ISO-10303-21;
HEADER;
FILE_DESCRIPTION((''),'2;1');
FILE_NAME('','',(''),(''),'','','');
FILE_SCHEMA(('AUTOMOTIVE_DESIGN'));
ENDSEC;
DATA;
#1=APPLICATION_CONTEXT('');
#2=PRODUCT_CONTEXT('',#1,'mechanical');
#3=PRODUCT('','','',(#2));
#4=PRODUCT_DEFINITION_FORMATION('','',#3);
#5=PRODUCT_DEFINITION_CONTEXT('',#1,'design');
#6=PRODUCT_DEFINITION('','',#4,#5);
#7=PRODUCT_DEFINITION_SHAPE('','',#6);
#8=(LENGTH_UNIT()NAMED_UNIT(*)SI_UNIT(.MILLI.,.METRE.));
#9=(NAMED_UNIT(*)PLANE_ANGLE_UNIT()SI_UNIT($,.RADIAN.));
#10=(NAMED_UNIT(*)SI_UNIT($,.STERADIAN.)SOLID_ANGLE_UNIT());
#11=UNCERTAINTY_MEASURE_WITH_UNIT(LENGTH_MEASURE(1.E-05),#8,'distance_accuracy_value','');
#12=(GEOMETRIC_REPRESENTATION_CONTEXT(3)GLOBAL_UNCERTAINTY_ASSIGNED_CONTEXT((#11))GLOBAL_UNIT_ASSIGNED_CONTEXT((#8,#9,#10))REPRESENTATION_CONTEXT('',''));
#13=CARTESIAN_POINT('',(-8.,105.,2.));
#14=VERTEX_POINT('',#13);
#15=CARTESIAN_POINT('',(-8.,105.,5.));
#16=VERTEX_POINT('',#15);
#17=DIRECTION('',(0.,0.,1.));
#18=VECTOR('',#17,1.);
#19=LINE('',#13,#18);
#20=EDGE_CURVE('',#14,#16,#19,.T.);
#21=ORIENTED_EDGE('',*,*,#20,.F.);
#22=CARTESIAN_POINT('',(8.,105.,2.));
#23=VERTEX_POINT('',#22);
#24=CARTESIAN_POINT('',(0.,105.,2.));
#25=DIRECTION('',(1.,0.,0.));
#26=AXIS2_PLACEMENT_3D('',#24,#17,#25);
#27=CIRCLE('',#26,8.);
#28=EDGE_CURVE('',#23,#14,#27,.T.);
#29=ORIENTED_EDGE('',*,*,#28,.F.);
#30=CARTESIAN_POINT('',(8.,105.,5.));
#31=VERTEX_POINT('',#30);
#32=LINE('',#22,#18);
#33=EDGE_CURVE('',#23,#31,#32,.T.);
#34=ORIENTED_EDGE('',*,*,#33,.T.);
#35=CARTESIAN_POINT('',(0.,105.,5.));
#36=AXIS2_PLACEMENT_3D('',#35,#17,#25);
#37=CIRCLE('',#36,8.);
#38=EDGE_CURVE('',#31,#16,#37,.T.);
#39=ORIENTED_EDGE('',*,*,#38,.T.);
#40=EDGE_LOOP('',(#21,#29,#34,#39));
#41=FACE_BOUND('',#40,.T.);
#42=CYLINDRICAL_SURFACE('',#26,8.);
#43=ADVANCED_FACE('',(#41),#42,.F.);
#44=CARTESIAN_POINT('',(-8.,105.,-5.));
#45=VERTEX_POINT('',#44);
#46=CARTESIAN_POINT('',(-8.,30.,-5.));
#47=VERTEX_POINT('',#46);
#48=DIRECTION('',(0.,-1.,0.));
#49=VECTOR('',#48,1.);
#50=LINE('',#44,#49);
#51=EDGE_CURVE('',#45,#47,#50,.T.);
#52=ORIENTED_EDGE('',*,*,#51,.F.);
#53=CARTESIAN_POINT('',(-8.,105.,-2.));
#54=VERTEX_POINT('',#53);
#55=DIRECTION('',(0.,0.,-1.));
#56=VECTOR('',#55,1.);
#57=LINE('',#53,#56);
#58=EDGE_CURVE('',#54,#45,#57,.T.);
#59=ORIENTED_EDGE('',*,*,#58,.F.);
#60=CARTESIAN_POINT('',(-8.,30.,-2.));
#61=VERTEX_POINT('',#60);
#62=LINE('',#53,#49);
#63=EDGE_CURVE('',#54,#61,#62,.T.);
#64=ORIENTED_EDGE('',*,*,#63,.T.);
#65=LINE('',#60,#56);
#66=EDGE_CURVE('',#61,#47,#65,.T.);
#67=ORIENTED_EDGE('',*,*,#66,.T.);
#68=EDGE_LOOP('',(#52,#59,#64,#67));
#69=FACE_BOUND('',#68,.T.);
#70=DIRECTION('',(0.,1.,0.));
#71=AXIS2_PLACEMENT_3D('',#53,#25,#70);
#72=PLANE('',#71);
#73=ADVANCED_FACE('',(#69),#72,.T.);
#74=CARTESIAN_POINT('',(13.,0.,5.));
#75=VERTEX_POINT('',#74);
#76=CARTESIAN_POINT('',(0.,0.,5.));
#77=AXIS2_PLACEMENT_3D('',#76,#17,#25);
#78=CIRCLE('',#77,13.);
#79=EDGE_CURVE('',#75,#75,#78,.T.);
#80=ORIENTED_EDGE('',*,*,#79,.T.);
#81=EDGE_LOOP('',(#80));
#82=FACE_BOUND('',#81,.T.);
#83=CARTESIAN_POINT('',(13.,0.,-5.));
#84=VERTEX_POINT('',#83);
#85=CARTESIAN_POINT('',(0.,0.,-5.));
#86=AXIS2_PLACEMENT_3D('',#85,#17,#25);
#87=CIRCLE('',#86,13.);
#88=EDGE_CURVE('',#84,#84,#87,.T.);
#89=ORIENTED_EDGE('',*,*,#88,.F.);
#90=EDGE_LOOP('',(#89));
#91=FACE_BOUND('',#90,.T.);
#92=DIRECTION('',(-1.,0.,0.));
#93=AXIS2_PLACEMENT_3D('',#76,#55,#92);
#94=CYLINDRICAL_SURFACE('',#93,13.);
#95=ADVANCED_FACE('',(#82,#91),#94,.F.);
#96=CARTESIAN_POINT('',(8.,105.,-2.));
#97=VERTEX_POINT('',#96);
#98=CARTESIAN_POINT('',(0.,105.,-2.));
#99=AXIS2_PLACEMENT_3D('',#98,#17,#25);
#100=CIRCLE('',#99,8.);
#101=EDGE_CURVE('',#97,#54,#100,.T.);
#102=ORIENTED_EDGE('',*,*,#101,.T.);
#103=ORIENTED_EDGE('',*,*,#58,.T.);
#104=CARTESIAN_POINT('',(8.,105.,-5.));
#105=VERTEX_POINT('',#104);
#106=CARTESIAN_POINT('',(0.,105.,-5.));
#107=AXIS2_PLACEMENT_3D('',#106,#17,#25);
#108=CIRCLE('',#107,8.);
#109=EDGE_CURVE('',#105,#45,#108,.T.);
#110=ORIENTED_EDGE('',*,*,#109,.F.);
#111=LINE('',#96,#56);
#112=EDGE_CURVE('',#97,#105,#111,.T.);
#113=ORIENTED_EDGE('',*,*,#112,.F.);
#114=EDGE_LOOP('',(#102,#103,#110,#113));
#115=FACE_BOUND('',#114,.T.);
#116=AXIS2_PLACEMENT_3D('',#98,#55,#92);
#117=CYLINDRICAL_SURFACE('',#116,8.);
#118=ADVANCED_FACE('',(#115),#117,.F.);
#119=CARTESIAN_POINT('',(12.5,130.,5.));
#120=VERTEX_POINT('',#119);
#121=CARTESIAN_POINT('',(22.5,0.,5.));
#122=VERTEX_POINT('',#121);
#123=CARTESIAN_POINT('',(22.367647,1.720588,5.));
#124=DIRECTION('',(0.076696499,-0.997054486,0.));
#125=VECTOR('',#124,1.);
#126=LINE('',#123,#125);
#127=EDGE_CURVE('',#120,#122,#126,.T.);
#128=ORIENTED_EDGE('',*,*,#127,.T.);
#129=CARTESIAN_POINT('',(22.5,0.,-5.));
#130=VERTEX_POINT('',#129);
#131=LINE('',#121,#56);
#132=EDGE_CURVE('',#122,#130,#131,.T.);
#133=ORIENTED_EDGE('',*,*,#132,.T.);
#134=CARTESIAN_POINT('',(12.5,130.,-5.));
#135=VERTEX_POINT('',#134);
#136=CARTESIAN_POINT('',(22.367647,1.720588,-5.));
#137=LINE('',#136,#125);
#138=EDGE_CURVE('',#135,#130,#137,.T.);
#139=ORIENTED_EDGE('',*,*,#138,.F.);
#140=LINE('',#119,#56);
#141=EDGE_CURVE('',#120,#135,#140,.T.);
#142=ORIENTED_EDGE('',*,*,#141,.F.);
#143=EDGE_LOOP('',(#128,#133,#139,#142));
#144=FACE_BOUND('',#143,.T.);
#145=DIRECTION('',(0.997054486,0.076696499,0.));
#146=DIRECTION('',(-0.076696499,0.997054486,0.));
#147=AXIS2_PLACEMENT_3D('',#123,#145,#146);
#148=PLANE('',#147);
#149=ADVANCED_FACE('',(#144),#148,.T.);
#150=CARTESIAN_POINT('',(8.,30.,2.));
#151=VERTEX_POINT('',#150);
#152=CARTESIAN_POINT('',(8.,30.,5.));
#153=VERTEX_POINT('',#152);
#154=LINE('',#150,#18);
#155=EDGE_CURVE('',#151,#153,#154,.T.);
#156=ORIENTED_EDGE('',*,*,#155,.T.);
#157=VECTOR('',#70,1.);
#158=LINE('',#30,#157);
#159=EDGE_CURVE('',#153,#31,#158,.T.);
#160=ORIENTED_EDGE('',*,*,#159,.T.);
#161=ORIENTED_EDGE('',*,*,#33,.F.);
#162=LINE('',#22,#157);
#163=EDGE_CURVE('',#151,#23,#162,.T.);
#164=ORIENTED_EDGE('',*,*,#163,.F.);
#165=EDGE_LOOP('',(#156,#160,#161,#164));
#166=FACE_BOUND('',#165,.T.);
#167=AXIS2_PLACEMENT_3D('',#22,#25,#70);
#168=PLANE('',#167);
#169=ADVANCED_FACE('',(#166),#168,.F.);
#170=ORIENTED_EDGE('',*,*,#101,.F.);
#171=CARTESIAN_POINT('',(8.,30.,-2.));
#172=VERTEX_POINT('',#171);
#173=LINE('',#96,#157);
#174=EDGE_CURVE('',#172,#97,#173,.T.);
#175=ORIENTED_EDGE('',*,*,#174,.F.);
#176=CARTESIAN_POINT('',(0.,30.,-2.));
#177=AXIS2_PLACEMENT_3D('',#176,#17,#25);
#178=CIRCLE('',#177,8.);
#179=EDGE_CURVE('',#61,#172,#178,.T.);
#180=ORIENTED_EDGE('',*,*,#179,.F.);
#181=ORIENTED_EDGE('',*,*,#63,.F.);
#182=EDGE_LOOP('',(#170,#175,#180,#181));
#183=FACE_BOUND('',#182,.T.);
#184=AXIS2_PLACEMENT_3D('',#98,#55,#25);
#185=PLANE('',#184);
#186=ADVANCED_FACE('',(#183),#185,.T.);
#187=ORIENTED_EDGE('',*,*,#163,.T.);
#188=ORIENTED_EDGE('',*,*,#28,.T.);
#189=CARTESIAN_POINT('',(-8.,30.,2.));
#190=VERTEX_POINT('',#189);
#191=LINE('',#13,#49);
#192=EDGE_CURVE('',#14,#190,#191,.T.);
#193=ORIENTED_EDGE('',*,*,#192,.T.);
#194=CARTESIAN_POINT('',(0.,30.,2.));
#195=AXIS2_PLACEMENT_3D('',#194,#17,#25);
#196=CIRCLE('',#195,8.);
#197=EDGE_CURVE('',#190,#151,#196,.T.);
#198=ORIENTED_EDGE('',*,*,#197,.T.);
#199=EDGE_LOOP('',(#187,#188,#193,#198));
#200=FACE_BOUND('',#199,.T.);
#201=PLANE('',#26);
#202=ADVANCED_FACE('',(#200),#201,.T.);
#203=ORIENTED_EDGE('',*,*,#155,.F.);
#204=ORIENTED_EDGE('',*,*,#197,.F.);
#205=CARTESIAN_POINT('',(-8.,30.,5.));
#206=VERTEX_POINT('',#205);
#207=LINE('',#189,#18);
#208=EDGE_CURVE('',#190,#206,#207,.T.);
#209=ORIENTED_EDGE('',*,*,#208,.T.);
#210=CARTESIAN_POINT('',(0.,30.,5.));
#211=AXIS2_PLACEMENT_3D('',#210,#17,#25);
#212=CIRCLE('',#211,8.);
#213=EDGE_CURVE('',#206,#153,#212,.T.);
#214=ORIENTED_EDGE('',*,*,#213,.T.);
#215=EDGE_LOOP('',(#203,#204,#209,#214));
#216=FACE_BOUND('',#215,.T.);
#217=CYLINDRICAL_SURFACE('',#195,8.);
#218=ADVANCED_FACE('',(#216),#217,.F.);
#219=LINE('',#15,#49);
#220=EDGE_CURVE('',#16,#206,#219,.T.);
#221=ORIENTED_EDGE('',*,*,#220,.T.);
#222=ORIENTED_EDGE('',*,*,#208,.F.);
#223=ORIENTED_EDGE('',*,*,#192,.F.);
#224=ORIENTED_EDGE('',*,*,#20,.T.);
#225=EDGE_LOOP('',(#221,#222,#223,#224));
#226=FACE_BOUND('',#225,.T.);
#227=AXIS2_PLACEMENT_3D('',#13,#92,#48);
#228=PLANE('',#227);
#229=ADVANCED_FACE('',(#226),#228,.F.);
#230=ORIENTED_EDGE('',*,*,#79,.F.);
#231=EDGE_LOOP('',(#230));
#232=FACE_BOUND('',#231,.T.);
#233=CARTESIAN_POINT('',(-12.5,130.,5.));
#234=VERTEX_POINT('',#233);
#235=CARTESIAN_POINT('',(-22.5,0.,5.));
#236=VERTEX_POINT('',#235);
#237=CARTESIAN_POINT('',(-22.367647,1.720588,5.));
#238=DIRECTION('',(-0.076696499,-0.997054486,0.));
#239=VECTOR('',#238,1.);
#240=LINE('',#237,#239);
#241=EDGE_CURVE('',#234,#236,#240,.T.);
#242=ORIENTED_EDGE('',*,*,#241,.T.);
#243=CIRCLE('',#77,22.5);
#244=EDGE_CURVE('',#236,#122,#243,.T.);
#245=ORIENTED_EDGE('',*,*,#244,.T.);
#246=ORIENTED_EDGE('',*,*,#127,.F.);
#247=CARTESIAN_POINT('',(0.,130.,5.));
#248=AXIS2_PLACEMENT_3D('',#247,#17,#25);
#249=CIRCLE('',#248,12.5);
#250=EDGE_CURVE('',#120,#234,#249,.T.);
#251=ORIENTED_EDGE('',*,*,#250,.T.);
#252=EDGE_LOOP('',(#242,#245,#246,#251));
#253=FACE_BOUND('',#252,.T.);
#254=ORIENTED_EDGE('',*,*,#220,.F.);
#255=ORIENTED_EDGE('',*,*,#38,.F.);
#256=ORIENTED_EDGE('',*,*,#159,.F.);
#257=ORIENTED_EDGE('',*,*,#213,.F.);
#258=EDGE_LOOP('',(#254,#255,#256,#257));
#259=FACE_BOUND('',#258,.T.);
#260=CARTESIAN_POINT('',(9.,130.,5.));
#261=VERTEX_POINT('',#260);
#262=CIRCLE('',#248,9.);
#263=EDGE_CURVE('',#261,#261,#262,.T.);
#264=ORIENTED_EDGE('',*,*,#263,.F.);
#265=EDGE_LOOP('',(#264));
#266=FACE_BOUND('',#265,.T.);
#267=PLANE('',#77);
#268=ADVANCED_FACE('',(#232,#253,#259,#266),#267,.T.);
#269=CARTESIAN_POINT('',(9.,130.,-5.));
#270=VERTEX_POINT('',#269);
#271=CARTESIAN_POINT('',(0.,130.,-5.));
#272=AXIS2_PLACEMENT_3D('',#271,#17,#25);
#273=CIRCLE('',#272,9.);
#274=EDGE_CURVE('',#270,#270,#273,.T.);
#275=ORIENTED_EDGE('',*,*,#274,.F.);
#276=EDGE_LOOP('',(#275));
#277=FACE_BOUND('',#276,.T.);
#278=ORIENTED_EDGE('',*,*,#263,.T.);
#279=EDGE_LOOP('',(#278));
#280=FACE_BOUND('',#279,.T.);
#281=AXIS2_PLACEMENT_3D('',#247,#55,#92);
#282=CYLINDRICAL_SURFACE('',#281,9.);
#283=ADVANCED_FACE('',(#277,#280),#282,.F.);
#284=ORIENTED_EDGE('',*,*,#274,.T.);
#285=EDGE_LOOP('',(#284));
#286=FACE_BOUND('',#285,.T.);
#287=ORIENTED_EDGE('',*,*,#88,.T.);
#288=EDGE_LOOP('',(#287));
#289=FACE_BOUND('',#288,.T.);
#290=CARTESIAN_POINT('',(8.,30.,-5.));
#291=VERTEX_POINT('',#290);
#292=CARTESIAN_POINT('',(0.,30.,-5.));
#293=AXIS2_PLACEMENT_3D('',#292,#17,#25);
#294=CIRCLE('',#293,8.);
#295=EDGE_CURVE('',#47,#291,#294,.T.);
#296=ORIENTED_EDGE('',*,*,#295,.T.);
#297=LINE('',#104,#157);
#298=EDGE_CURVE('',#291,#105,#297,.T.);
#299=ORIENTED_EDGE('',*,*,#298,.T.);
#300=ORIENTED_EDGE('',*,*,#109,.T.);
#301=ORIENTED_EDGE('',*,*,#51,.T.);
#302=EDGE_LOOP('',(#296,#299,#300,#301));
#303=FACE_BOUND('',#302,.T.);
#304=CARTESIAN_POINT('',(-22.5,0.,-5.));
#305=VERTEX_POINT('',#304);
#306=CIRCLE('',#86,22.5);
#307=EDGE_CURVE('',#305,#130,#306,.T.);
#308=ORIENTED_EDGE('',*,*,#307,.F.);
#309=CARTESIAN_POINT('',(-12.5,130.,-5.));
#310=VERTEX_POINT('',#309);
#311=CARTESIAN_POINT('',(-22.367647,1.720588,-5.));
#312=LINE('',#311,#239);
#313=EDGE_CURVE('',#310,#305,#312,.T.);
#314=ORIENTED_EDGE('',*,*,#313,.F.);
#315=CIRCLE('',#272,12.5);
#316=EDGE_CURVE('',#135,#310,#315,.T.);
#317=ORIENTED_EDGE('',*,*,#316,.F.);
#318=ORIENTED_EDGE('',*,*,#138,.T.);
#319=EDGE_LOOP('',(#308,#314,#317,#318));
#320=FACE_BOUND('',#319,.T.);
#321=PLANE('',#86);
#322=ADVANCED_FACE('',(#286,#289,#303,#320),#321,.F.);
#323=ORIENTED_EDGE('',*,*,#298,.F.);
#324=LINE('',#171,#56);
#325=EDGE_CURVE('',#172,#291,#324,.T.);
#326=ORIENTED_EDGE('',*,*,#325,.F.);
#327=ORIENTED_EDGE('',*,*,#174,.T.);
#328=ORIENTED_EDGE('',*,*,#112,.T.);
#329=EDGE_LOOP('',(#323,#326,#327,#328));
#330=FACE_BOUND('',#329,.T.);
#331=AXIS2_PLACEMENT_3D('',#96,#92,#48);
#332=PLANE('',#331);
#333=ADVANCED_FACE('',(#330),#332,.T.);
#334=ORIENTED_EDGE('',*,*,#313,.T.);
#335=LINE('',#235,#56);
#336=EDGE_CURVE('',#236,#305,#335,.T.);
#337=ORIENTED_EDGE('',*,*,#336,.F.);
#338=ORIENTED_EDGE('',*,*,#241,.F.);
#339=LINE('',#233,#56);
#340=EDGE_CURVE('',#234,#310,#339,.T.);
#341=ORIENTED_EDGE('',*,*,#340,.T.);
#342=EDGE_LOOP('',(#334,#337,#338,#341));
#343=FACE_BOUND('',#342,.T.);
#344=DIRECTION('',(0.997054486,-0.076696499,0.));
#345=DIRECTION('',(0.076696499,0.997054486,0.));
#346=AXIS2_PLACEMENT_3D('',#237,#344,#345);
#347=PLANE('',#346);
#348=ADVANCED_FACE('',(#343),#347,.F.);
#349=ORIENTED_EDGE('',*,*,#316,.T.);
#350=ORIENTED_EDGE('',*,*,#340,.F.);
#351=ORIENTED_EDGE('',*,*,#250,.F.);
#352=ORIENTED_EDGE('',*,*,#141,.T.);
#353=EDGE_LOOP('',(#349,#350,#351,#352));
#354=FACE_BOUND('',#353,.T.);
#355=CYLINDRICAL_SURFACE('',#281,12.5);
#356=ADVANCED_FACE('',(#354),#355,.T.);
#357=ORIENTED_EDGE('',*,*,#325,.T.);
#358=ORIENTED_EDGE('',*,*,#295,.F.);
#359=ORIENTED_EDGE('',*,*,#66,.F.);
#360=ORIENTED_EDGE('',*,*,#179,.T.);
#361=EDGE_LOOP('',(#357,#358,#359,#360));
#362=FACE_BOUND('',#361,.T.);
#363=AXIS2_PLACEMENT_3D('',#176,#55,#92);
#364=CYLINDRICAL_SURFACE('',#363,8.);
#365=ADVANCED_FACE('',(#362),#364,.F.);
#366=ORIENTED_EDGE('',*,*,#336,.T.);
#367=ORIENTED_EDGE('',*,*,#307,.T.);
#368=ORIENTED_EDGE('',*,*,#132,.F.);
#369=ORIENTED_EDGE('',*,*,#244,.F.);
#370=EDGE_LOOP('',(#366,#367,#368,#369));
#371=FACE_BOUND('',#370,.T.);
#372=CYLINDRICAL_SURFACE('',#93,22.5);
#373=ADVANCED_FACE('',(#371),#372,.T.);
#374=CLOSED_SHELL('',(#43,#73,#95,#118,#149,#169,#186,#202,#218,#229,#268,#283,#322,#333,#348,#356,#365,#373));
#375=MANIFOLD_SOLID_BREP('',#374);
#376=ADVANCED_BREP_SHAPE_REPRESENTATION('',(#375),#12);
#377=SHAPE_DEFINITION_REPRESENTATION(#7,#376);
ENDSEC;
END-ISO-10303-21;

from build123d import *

# Parameters (mm, degrees)
SKETCH1_R           = 13
SKETCH1_R_2         = 9
BOSS_EXTRUDE1_DEPTH = 5
CUT_EXTRUDE1_DEPTH  = 3


with BuildPart() as part:
    # Sketch1 → Boss-Extrude1 (new, symmetric)
    with BuildSketch(Plane.XY):
        with BuildLine():
            ThreePointArc((12.5, 130), (0, 142.5), (-12.5, 130))
            Line((-12.5, 130), (-22.235294118, 3.441176471))
            Line((-22.235294118, 3.441176471), (-22.5, 0))
            ThreePointArc((-22.5, 0), (0, -22.5), (22.5, 0))
            Line((22.5, 0), (22.235294118, 3.441176471))
            Line((22.235294118, 3.441176471), (12.5, 130))
        make_face()
        Circle(SKETCH1_R, mode=Mode.SUBTRACT)
        with Locations((0, 130)):
            Circle(SKETCH1_R_2, mode=Mode.SUBTRACT)
    extrude(amount=BOSS_EXTRUDE1_DEPTH, both=True)

    # Sketch2 → Cut-Extrude1 (cut)
    with BuildSketch(Plane.XY.offset(5)):
        with BuildLine():
            Line((8, 105), (8, 30))
            ThreePointArc((8, 30), (0, 22), (-8, 30))
            Line((-8, 30), (-8, 105))
            ThreePointArc((-8, 105), (0, 113), (8, 105))
        make_face()
    cut_extrude1 = extrude(amount=-CUT_EXTRUDE1_DEPTH, mode=Mode.SUBTRACT)

    # Mirror1: Cut-Extrude1 across plane
    add(cut_extrude1.mirror(Plane.XY), mode=Mode.SUBTRACT)


solid = part.part
